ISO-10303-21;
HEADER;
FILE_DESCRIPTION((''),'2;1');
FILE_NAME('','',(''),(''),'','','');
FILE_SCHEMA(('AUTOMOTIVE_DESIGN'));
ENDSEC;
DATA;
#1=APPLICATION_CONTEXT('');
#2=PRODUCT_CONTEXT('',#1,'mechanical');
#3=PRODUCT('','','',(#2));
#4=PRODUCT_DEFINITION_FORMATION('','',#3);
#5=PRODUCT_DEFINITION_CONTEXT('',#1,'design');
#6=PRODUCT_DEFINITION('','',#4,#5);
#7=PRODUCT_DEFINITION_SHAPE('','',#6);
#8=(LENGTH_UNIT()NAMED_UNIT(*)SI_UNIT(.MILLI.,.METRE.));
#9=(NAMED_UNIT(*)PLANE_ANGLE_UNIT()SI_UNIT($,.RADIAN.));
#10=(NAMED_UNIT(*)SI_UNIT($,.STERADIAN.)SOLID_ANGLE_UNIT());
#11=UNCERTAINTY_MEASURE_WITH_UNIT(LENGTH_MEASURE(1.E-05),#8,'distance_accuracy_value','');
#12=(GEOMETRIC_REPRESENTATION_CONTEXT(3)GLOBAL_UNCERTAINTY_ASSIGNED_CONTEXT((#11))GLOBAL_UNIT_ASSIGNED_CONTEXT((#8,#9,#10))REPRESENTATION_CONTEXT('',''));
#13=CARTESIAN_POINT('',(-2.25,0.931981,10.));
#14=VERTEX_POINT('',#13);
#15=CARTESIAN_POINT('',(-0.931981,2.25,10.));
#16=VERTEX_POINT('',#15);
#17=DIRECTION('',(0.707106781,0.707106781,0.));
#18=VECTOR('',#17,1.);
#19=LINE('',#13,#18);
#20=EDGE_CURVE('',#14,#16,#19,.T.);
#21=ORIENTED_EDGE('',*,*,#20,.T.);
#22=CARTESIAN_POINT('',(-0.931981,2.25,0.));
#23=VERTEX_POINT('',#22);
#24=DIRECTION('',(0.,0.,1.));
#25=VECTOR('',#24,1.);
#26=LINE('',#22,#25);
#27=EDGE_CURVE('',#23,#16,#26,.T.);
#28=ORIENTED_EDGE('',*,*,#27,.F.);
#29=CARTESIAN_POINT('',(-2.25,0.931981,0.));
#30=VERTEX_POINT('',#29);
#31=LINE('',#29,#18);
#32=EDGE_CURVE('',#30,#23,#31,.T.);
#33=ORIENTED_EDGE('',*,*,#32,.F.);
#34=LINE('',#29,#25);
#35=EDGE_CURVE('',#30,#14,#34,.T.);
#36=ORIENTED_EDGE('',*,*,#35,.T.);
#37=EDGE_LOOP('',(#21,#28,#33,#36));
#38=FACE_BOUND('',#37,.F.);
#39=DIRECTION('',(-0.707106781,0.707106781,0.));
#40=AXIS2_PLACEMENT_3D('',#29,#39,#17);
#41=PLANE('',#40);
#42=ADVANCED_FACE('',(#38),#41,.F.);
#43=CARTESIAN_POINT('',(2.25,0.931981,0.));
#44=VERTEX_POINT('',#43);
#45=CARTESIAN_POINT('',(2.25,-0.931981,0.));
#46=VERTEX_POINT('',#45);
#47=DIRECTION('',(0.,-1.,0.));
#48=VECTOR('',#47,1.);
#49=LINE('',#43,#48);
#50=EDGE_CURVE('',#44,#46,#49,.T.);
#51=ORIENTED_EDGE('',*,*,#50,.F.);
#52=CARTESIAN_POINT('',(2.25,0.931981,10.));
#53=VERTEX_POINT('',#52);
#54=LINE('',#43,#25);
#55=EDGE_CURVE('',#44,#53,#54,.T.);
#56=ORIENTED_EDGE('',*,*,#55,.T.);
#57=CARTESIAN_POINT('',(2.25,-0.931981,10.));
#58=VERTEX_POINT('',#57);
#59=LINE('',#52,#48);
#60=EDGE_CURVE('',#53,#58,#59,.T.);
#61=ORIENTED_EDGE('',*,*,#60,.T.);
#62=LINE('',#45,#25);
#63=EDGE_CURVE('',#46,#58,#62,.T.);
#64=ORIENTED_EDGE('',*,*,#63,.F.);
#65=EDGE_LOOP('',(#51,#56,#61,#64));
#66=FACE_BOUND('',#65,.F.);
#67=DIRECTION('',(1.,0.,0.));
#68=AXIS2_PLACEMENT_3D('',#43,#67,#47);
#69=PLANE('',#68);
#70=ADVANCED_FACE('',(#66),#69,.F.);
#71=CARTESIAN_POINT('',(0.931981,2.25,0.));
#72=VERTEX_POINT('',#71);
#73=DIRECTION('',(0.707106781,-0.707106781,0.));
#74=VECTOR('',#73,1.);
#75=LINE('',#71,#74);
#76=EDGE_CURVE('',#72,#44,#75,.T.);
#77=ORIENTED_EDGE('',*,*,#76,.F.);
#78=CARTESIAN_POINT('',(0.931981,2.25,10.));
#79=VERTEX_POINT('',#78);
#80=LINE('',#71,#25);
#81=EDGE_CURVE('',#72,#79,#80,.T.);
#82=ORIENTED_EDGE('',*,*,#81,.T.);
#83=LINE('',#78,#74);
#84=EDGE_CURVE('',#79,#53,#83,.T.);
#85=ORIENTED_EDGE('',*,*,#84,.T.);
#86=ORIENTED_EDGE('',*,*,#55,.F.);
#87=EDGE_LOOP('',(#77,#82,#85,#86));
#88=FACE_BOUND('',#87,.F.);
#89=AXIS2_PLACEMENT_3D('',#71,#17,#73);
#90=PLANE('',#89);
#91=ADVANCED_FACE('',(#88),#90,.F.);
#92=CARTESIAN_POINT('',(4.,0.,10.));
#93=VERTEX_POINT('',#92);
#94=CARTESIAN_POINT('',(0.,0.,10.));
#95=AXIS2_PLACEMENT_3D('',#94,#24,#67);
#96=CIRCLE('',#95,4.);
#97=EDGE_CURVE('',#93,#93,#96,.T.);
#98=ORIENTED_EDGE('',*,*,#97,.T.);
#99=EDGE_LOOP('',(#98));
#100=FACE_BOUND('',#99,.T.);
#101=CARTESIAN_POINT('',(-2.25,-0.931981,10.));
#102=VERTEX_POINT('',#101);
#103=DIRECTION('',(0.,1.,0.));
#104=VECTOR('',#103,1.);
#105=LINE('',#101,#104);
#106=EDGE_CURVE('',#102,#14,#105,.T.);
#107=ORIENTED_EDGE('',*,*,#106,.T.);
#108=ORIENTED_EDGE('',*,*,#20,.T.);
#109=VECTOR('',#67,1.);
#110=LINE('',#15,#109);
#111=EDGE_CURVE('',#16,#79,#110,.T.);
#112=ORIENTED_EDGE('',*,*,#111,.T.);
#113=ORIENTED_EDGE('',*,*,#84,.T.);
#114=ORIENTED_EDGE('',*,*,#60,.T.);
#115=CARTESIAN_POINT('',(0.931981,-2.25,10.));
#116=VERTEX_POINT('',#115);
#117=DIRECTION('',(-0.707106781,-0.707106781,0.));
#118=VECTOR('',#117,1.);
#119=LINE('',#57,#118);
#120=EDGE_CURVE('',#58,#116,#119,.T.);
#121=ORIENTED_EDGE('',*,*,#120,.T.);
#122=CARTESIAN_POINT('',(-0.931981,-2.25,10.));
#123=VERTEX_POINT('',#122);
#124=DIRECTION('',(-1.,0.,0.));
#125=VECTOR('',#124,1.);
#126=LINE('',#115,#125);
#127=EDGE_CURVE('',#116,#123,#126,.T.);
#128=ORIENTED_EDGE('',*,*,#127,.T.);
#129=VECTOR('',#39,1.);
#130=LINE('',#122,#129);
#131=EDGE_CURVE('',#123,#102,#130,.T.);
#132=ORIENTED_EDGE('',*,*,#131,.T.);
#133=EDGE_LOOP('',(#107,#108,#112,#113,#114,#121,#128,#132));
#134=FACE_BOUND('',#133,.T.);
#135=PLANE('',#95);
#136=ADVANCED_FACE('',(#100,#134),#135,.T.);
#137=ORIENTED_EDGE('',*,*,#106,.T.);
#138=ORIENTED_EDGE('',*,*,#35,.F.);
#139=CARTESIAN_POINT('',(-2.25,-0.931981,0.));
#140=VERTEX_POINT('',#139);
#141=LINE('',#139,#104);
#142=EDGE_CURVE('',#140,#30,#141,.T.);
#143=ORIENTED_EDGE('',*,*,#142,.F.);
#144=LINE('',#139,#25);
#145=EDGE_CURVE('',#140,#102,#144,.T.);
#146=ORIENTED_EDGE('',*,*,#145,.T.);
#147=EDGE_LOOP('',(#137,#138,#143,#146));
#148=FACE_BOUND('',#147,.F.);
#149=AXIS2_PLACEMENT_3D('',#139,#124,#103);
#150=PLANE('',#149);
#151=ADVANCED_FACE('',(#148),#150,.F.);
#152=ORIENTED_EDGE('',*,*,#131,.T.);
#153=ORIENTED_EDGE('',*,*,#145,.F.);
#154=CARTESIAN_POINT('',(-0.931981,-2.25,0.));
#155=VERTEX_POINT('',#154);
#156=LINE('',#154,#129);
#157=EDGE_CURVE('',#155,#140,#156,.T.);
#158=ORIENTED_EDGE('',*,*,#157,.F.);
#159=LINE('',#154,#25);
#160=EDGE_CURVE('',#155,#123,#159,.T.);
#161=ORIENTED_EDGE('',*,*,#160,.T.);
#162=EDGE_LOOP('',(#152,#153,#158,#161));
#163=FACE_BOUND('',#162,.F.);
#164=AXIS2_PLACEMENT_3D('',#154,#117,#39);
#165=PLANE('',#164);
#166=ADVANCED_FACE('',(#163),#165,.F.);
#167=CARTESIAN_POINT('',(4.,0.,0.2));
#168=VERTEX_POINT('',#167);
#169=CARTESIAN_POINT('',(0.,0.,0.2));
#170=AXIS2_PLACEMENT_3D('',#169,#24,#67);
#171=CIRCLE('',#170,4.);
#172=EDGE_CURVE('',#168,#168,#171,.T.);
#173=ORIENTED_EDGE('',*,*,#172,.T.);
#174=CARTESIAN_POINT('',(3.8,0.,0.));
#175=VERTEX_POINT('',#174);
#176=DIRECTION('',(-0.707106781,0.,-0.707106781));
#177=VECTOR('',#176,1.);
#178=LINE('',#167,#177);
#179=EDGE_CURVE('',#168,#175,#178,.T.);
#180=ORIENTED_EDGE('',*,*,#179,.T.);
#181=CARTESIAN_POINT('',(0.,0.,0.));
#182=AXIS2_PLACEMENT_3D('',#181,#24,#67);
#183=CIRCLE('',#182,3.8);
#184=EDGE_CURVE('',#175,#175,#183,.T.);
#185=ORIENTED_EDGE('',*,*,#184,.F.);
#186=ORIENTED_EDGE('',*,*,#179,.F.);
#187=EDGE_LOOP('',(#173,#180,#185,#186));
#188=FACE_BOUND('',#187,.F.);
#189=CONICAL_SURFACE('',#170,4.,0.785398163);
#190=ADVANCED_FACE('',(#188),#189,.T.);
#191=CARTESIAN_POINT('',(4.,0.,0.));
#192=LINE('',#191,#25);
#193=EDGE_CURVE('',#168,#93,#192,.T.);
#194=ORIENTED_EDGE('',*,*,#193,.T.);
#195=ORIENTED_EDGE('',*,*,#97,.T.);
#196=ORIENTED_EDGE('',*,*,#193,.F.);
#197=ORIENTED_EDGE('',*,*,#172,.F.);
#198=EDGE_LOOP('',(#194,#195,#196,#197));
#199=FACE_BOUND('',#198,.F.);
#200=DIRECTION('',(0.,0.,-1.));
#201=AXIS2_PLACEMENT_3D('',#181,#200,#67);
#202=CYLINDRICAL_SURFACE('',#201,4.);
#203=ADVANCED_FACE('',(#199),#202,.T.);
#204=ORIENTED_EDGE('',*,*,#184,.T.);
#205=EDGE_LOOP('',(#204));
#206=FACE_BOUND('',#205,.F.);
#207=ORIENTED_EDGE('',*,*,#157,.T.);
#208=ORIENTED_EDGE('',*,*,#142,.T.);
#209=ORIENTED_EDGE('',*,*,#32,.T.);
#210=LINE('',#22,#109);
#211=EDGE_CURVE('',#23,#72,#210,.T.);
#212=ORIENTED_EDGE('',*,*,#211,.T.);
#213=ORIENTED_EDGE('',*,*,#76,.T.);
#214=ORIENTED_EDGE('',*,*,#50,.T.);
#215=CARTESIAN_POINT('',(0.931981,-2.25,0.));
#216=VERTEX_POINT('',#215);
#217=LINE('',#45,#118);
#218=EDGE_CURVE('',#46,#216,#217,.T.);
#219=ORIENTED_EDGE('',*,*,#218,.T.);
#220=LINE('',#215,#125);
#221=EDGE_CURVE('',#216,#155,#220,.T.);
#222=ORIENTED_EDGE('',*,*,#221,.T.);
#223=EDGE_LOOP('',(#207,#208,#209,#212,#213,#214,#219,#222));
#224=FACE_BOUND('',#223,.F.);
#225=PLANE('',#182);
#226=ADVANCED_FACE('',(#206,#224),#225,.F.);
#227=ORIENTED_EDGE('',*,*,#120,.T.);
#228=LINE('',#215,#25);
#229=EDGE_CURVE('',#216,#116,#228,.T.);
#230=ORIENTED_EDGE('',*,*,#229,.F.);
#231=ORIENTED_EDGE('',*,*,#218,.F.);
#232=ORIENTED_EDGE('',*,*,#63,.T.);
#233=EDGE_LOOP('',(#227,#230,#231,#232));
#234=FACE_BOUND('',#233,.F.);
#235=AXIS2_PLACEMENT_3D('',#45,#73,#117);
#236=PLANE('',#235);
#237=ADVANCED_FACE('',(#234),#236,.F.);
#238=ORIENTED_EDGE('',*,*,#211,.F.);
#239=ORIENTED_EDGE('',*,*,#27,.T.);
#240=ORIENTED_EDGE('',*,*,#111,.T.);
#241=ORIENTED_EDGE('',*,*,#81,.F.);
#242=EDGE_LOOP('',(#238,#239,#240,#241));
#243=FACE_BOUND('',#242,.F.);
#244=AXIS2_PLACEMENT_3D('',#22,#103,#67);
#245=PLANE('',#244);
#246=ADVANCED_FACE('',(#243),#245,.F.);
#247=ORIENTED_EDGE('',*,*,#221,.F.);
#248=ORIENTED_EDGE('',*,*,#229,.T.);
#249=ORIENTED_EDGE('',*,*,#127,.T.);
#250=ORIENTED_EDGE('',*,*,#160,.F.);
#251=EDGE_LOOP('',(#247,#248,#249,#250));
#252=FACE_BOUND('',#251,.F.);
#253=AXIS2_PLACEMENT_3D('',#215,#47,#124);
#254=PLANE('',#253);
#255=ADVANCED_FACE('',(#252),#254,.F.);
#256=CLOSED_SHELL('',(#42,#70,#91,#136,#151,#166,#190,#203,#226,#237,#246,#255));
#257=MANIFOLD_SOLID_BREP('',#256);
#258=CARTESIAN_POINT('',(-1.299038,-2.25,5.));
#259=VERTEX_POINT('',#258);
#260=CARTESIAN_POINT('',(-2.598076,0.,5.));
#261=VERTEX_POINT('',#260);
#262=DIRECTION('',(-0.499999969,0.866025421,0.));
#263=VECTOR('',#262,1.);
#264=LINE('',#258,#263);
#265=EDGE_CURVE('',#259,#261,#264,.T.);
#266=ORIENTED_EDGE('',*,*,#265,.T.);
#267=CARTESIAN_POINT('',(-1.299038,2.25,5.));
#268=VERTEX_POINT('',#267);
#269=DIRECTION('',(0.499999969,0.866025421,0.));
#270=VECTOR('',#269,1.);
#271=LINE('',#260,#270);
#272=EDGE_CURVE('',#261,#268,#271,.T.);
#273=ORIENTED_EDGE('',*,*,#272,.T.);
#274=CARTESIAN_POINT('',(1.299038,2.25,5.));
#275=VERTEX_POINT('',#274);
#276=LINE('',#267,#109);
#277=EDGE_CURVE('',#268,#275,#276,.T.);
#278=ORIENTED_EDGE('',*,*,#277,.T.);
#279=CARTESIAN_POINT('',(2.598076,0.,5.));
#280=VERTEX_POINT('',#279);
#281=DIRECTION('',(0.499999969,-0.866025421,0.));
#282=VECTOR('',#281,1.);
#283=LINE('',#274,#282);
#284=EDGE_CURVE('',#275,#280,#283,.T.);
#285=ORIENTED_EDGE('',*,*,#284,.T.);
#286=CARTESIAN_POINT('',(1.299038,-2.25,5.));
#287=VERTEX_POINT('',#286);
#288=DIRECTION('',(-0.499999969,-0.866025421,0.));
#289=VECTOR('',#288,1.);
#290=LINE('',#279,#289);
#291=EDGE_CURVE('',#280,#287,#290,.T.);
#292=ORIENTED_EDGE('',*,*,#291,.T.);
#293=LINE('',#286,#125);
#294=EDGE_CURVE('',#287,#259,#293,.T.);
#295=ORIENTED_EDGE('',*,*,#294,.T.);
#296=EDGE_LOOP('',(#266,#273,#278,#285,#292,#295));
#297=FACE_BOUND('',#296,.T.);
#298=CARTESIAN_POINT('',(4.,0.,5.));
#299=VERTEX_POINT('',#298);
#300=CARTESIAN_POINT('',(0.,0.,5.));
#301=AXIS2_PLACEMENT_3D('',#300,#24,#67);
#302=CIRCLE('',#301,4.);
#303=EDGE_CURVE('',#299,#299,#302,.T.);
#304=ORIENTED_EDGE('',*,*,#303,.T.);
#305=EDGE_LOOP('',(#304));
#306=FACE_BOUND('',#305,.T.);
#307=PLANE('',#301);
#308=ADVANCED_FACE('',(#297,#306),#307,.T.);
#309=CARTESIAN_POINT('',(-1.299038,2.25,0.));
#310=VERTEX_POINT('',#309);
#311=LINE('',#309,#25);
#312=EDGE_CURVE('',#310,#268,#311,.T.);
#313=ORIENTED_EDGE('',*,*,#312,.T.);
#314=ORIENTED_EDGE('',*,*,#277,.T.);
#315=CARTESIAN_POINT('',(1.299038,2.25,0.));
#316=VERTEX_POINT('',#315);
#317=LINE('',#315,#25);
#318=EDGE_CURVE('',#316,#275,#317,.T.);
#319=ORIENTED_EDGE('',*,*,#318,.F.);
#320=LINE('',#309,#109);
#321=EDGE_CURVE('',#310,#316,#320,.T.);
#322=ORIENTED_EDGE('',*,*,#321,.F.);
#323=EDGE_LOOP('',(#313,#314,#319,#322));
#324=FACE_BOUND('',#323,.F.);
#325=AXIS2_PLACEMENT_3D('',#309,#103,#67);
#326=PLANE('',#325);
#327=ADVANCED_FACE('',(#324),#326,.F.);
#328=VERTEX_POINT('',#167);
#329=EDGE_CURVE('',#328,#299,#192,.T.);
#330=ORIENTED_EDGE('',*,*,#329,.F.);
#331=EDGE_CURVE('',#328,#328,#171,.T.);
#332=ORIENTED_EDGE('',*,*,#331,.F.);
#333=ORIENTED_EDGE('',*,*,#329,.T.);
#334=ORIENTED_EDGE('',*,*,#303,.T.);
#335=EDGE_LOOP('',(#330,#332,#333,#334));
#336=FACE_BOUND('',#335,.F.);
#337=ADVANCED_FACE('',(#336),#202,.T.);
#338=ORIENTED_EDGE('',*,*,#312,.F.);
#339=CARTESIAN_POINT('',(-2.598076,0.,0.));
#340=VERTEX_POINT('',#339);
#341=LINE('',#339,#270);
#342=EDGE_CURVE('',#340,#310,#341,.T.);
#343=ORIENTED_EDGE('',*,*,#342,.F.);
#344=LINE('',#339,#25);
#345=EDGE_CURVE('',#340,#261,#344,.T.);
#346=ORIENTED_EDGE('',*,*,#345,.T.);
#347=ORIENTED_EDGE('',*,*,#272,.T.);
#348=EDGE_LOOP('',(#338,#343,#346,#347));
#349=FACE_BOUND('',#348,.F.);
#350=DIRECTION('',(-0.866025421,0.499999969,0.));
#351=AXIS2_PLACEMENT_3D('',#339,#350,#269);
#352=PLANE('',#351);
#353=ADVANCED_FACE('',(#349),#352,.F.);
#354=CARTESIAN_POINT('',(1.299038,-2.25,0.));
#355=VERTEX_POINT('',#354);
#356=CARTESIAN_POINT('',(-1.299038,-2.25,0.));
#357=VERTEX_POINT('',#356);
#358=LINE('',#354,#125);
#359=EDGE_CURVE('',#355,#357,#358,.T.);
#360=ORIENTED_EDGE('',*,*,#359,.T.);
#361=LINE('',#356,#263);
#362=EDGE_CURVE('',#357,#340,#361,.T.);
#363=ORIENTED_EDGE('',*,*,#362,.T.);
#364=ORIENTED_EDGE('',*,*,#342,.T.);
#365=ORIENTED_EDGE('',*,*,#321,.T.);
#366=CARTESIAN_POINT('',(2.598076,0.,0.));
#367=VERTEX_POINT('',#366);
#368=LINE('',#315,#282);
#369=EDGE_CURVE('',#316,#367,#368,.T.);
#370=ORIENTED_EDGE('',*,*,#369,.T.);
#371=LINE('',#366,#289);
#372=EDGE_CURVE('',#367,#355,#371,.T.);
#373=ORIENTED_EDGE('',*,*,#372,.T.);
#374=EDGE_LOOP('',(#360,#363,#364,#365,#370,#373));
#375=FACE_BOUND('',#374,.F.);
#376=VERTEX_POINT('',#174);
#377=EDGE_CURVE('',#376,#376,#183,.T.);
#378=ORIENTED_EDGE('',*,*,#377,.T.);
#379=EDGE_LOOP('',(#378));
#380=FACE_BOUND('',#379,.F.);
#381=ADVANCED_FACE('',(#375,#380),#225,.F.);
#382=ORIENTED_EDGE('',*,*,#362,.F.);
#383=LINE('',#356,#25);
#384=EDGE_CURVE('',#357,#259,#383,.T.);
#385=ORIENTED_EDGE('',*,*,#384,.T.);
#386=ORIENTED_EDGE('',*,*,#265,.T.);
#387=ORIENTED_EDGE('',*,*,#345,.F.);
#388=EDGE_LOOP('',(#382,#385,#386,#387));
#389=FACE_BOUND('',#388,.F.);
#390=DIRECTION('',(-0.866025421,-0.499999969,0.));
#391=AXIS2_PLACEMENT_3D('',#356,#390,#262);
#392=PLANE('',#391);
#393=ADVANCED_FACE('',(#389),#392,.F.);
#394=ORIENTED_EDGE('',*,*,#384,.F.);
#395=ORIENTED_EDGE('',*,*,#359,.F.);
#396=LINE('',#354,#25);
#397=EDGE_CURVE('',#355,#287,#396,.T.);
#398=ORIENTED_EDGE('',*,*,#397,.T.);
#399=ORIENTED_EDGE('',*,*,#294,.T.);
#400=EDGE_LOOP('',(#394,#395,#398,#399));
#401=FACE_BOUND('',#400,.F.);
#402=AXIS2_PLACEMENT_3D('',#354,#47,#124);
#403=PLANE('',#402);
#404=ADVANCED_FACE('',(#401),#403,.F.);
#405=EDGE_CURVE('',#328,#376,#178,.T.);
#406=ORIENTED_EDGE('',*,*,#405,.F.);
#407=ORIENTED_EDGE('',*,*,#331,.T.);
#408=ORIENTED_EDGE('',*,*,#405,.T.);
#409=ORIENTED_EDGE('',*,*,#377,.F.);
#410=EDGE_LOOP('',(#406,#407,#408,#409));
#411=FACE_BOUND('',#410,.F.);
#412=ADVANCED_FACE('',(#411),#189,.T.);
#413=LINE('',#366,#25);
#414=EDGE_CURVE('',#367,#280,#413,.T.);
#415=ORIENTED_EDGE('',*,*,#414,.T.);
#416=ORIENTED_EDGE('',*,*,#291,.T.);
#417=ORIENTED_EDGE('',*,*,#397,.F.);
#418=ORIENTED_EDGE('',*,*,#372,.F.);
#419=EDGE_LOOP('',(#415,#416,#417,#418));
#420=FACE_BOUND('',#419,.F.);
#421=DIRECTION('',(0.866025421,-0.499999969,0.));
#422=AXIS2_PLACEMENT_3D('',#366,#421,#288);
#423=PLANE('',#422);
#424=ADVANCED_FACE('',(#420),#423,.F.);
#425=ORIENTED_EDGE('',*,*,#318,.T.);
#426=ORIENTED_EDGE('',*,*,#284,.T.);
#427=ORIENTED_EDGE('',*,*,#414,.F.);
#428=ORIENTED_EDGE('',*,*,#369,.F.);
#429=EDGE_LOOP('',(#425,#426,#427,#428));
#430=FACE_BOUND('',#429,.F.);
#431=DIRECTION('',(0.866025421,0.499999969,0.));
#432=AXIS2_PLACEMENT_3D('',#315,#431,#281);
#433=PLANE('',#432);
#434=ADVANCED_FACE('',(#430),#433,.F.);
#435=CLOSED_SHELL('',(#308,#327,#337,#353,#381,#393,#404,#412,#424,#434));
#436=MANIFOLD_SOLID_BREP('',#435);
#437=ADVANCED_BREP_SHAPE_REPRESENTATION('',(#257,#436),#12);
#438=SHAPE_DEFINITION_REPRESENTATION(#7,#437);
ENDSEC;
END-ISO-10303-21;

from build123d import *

# Parameters (mm, degrees)
F0_R     = 4
F1_DEPTH = 5
F2_R     = 4
F3_DEPTH = 10
F4_SIZE  = 0.2
F5_SIZE  = 0.2


with BuildPart() as f1:
    # F0 (on Top) → F1 (new body)
    with BuildSketch(Plane.XY):
        Circle(F0_R)
        Polygon((2.598076, 0), (1.299038, -2.25), (-1.299038, -2.25), (-2.598076, 0), (-1.299038, 2.25), (1.299038, 2.25), align=None, mode=Mode.SUBTRACT)
    extrude(amount=F1_DEPTH)

    # F4
    f4_edges = [f1.edges().sort_by_distance(p)[0] for p in [
        (-4, 0, 0),
    ]]
    chamfer(f4_edges, length=F4_SIZE)


with BuildPart() as f3:
    # F2 (on Top) → F3 (new body)
    with BuildSketch(Plane.XY):
        Circle(F2_R)
        Polygon((2.25, -0.931981), (0.931981, -2.25), (-0.931981, -2.25), (-2.25, -0.931981), (-2.25, 0.931981), (-0.931981, 2.25), (0.931981, 2.25), (2.25, 0.931981), align=None, mode=Mode.SUBTRACT)
    extrude(amount=F3_DEPTH)

    # F5
    f5_edges = [f3.edges().sort_by_distance(p)[0] for p in [
        (-4, 0, 0),
    ]]
    chamfer(f5_edges, length=F5_SIZE)


solid = Compound([f1.part, f3.part])
